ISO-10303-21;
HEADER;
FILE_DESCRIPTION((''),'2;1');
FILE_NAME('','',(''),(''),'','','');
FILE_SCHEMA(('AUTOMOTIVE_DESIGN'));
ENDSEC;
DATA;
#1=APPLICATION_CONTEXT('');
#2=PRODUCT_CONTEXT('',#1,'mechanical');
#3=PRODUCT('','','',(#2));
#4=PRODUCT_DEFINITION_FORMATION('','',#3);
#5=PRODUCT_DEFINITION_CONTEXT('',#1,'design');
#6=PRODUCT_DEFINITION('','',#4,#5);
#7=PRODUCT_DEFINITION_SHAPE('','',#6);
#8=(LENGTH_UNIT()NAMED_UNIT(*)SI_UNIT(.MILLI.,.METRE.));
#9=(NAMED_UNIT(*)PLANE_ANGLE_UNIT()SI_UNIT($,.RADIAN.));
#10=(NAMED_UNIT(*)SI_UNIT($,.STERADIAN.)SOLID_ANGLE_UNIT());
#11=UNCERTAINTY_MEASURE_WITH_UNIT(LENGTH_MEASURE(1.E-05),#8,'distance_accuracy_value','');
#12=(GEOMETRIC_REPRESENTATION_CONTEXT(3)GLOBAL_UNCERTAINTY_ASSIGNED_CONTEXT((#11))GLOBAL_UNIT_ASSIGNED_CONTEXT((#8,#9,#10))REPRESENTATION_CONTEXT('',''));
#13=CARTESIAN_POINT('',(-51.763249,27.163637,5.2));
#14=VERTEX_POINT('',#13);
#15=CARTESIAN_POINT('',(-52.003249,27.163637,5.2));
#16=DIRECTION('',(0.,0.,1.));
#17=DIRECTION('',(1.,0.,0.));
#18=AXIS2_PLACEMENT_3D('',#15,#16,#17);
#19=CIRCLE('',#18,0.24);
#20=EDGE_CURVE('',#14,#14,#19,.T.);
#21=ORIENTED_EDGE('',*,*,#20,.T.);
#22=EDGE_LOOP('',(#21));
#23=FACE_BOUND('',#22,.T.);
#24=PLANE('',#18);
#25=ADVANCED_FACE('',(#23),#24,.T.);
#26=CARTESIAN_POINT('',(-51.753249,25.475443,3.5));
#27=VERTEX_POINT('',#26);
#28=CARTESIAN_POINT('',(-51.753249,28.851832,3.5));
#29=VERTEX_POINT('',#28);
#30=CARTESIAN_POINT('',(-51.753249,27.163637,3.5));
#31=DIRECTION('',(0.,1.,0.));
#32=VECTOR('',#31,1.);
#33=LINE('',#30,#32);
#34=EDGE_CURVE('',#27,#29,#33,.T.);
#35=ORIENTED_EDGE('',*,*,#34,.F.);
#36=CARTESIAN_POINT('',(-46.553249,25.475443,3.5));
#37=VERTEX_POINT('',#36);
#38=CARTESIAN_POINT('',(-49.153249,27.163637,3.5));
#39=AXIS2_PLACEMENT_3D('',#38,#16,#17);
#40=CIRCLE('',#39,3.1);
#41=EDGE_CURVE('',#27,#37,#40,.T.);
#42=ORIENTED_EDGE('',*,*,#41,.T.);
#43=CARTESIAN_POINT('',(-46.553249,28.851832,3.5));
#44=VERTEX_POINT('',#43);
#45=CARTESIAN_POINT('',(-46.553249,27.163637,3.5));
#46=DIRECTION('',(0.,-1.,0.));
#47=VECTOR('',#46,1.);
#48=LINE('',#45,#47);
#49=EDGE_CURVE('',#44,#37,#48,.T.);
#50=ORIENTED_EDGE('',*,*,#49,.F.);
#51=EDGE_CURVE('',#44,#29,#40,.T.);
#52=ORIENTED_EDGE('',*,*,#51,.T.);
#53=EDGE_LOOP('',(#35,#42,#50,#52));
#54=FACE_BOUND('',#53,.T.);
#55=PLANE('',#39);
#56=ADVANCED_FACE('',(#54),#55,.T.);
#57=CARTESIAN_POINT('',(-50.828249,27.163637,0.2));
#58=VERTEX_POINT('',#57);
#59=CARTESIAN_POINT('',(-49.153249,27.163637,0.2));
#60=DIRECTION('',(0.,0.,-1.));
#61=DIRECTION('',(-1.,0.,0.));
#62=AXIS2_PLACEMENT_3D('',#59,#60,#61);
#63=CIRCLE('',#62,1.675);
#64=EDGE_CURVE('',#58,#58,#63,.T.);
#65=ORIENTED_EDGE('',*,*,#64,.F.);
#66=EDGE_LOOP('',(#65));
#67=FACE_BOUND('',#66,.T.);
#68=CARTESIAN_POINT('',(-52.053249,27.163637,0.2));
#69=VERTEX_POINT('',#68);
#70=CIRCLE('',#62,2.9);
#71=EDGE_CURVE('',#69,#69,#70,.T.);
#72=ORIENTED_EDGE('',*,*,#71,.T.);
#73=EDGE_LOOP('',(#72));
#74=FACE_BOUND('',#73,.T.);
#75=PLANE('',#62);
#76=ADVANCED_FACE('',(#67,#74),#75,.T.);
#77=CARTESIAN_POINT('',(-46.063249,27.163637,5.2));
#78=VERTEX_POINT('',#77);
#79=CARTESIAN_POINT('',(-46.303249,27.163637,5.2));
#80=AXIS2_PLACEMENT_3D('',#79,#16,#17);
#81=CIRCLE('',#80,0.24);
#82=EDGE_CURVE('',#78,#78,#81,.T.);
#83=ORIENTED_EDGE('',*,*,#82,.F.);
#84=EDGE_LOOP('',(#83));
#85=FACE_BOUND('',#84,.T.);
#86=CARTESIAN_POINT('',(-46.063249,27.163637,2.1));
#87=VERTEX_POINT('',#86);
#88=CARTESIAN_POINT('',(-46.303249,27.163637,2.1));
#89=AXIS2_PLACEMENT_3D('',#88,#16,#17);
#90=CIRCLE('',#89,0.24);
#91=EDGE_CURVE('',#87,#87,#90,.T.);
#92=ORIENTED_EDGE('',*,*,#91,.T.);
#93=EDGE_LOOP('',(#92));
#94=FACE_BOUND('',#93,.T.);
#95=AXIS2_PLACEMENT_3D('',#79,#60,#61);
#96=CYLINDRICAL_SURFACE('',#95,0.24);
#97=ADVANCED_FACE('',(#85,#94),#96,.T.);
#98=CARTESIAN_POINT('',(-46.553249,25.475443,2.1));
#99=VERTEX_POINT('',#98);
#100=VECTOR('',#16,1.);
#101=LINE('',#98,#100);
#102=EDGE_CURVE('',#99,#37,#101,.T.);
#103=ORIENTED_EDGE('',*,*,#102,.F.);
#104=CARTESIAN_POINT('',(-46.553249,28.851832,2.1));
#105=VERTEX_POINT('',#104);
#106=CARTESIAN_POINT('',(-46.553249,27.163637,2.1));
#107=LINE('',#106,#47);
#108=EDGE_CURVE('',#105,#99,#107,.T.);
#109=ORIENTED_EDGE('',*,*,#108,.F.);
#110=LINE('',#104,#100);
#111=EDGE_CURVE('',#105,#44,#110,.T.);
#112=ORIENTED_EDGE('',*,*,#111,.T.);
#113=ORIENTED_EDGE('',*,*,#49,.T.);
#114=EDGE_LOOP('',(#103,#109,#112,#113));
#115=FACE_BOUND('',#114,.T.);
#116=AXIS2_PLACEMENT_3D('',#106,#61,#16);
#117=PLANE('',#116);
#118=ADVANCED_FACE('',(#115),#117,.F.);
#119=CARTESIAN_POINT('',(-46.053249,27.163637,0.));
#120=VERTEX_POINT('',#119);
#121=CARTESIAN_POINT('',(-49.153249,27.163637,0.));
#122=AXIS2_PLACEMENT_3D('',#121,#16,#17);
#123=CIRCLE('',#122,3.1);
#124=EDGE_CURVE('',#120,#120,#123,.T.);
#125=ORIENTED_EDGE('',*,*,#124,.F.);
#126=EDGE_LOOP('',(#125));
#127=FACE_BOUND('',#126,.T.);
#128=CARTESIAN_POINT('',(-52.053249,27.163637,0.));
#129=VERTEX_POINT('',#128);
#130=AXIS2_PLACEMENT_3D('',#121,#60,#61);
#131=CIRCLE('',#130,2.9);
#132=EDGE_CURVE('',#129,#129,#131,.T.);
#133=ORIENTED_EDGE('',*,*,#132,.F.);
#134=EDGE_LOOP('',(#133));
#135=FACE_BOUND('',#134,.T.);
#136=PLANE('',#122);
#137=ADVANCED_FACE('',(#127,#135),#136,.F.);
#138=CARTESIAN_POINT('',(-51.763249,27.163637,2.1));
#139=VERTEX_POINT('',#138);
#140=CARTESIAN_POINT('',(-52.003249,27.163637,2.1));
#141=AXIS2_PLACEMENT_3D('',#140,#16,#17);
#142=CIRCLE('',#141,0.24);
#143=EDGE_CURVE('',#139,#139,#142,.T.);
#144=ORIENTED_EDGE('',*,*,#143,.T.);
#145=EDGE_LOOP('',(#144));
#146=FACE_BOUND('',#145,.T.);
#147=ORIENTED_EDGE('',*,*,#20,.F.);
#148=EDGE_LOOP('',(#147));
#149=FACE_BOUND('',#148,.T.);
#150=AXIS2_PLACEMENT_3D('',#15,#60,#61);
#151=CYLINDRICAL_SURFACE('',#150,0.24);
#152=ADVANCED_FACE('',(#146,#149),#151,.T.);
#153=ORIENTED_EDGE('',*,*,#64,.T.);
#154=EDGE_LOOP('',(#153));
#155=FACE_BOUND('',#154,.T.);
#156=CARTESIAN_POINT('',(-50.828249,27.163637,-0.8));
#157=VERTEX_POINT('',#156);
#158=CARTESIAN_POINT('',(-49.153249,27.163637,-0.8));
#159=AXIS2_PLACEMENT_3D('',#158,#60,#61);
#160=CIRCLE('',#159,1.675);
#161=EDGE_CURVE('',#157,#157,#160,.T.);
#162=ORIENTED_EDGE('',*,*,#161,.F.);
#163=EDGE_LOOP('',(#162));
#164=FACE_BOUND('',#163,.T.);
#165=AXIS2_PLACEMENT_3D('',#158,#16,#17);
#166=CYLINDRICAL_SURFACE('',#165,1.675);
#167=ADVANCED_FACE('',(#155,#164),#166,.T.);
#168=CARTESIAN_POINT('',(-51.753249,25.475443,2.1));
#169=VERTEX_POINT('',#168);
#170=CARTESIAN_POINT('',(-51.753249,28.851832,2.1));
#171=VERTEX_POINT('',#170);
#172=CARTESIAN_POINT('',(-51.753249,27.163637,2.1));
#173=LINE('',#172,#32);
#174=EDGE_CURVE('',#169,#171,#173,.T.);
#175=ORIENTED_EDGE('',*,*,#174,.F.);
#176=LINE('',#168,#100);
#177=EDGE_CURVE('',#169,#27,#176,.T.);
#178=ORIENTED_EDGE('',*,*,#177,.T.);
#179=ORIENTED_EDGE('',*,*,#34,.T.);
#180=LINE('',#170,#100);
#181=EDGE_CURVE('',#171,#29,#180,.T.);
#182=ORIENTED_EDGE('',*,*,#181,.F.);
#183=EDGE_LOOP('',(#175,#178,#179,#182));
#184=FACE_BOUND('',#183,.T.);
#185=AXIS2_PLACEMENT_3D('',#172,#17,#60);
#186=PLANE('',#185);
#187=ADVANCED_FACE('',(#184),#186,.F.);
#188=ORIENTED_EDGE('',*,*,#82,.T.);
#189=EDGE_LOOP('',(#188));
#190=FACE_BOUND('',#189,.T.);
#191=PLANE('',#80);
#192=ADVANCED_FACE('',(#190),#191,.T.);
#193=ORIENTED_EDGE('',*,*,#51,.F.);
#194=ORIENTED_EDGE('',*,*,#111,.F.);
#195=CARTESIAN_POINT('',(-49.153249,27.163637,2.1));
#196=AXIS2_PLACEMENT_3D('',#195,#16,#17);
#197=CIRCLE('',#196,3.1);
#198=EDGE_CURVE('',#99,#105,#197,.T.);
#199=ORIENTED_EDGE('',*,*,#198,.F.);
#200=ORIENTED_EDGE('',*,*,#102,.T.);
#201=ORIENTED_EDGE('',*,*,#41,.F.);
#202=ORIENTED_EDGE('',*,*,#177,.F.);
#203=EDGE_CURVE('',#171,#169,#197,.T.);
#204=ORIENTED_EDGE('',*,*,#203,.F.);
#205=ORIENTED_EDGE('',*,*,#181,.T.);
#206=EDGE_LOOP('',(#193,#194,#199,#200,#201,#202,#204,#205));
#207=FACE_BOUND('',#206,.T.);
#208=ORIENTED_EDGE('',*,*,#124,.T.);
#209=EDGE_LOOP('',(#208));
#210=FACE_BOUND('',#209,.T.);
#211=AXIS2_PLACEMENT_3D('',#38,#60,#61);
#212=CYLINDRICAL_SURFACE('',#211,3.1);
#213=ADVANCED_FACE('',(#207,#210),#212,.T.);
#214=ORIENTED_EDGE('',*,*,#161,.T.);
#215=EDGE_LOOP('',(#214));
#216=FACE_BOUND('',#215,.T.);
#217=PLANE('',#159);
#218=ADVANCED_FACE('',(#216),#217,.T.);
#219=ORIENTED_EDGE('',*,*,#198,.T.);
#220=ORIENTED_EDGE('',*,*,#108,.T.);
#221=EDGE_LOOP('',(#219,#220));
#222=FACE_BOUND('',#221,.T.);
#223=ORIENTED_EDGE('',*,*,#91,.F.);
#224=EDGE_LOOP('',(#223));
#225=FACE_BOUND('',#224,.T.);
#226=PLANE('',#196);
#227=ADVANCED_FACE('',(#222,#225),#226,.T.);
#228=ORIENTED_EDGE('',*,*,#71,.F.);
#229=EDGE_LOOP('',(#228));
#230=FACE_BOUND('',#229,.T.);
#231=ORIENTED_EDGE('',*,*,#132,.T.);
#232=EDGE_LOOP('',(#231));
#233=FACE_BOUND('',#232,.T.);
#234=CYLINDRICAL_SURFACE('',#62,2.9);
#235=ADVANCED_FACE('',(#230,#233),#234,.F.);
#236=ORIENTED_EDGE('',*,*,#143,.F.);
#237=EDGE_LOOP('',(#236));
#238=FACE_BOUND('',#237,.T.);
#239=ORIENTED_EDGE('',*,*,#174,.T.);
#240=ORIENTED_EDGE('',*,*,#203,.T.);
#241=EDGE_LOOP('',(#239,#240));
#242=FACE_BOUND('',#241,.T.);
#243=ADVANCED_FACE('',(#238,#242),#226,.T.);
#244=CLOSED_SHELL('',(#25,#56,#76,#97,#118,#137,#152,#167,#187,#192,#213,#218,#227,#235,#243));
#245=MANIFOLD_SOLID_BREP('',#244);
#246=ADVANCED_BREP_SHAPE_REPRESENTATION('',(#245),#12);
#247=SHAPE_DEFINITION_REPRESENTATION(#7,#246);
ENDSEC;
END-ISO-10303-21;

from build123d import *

# Parameters (mm, degrees)
SKETCH1_R            = 3.1
BOSS_EXTRUDE1_DEPTH  = 3.5
CUT_EXTRUDE1_START   = -1.4
CUT_EXTRUDE1_DEPTH   = 1.4
SKETCH4_R            = 0.24
BOSS_EXTRUDE23_DEPTH = 3.1
SKETCH5_R            = 0.24
BOSS_EXTRUDE24_DEPTH = 3.1
SKETCH6_R            = 2.9
CUT_EXTRUDE3_DEPTH   = 0.2
SKETCH7_R            = 1.675
BOSS_EXTRUDE25_DEPTH = 1


with BuildPart() as part:
    # Sketch1 → Boss-Extrude1 (new body)
    with BuildSketch(Plane.XY):
        with Locations((-49.1532488, 27.163637495)):
            Circle(SKETCH1_R)
    extrude(amount=BOSS_EXTRUDE1_DEPTH)

    # Sketch2 → Cut-Extrude1 (cut)
    with BuildSketch(Plane.XY.offset(3.5).offset(CUT_EXTRUDE1_START)):
        with BuildLine():
            Line((-51.7532488, 27.163637495), (-51.7532488, 28.851831796))
            ThreePointArc((-51.7532488, 28.851831796), (-52.2532488, 27.163637495), (-51.7532488, 25.475443193))
            Line((-51.7532488, 25.475443193), (-51.7532488, 27.163637495))
        make_face()
        with BuildLine():
            Line((-46.5532488, 27.163637495), (-46.5532488, 25.475443193))
            ThreePointArc((-46.5532488, 25.475443193), (-46.0532488, 27.163637495), (-46.5532488, 28.851831796))
            Line((-46.5532488, 28.851831796), (-46.5532488, 27.163637495))
        make_face()
    extrude(amount=CUT_EXTRUDE1_DEPTH, mode=Mode.SUBTRACT)

    # Sketch4 → Boss-Extrude23 (add)
    with BuildSketch(Plane.XY.offset(2.1)):
        with Locations((-46.3032488, 27.163637495)):
            Circle(SKETCH4_R)
    extrude(amount=BOSS_EXTRUDE23_DEPTH)

    # Sketch5 → Boss-Extrude24 (add)
    with BuildSketch(Plane.XY.offset(2.1)):
        with Locations((-52.0032488, 27.163637495)):
            Circle(SKETCH5_R)
    extrude(amount=BOSS_EXTRUDE24_DEPTH)

    # Sketch6 → Cut-Extrude3 (cut)
    with BuildSketch(Plane(origin=(0, 0, 0), x_dir=(-1, 0, 0), z_dir=(0, 0, -1))):
        with Locations((49.1532488, 27.163637495)):
            Circle(SKETCH6_R)
    extrude(amount=-CUT_EXTRUDE3_DEPTH, mode=Mode.SUBTRACT)

    # Sketch7 → Boss-Extrude25 (add)
    with BuildSketch(Plane(origin=(0, 0, 0.2), x_dir=(-1, 0, 0), z_dir=(0, 0, -1))):
        with Locations((49.1532488, 27.163637495)):
            Circle(SKETCH7_R)
    extrude(amount=BOSS_EXTRUDE25_DEPTH)


solid = part.part
